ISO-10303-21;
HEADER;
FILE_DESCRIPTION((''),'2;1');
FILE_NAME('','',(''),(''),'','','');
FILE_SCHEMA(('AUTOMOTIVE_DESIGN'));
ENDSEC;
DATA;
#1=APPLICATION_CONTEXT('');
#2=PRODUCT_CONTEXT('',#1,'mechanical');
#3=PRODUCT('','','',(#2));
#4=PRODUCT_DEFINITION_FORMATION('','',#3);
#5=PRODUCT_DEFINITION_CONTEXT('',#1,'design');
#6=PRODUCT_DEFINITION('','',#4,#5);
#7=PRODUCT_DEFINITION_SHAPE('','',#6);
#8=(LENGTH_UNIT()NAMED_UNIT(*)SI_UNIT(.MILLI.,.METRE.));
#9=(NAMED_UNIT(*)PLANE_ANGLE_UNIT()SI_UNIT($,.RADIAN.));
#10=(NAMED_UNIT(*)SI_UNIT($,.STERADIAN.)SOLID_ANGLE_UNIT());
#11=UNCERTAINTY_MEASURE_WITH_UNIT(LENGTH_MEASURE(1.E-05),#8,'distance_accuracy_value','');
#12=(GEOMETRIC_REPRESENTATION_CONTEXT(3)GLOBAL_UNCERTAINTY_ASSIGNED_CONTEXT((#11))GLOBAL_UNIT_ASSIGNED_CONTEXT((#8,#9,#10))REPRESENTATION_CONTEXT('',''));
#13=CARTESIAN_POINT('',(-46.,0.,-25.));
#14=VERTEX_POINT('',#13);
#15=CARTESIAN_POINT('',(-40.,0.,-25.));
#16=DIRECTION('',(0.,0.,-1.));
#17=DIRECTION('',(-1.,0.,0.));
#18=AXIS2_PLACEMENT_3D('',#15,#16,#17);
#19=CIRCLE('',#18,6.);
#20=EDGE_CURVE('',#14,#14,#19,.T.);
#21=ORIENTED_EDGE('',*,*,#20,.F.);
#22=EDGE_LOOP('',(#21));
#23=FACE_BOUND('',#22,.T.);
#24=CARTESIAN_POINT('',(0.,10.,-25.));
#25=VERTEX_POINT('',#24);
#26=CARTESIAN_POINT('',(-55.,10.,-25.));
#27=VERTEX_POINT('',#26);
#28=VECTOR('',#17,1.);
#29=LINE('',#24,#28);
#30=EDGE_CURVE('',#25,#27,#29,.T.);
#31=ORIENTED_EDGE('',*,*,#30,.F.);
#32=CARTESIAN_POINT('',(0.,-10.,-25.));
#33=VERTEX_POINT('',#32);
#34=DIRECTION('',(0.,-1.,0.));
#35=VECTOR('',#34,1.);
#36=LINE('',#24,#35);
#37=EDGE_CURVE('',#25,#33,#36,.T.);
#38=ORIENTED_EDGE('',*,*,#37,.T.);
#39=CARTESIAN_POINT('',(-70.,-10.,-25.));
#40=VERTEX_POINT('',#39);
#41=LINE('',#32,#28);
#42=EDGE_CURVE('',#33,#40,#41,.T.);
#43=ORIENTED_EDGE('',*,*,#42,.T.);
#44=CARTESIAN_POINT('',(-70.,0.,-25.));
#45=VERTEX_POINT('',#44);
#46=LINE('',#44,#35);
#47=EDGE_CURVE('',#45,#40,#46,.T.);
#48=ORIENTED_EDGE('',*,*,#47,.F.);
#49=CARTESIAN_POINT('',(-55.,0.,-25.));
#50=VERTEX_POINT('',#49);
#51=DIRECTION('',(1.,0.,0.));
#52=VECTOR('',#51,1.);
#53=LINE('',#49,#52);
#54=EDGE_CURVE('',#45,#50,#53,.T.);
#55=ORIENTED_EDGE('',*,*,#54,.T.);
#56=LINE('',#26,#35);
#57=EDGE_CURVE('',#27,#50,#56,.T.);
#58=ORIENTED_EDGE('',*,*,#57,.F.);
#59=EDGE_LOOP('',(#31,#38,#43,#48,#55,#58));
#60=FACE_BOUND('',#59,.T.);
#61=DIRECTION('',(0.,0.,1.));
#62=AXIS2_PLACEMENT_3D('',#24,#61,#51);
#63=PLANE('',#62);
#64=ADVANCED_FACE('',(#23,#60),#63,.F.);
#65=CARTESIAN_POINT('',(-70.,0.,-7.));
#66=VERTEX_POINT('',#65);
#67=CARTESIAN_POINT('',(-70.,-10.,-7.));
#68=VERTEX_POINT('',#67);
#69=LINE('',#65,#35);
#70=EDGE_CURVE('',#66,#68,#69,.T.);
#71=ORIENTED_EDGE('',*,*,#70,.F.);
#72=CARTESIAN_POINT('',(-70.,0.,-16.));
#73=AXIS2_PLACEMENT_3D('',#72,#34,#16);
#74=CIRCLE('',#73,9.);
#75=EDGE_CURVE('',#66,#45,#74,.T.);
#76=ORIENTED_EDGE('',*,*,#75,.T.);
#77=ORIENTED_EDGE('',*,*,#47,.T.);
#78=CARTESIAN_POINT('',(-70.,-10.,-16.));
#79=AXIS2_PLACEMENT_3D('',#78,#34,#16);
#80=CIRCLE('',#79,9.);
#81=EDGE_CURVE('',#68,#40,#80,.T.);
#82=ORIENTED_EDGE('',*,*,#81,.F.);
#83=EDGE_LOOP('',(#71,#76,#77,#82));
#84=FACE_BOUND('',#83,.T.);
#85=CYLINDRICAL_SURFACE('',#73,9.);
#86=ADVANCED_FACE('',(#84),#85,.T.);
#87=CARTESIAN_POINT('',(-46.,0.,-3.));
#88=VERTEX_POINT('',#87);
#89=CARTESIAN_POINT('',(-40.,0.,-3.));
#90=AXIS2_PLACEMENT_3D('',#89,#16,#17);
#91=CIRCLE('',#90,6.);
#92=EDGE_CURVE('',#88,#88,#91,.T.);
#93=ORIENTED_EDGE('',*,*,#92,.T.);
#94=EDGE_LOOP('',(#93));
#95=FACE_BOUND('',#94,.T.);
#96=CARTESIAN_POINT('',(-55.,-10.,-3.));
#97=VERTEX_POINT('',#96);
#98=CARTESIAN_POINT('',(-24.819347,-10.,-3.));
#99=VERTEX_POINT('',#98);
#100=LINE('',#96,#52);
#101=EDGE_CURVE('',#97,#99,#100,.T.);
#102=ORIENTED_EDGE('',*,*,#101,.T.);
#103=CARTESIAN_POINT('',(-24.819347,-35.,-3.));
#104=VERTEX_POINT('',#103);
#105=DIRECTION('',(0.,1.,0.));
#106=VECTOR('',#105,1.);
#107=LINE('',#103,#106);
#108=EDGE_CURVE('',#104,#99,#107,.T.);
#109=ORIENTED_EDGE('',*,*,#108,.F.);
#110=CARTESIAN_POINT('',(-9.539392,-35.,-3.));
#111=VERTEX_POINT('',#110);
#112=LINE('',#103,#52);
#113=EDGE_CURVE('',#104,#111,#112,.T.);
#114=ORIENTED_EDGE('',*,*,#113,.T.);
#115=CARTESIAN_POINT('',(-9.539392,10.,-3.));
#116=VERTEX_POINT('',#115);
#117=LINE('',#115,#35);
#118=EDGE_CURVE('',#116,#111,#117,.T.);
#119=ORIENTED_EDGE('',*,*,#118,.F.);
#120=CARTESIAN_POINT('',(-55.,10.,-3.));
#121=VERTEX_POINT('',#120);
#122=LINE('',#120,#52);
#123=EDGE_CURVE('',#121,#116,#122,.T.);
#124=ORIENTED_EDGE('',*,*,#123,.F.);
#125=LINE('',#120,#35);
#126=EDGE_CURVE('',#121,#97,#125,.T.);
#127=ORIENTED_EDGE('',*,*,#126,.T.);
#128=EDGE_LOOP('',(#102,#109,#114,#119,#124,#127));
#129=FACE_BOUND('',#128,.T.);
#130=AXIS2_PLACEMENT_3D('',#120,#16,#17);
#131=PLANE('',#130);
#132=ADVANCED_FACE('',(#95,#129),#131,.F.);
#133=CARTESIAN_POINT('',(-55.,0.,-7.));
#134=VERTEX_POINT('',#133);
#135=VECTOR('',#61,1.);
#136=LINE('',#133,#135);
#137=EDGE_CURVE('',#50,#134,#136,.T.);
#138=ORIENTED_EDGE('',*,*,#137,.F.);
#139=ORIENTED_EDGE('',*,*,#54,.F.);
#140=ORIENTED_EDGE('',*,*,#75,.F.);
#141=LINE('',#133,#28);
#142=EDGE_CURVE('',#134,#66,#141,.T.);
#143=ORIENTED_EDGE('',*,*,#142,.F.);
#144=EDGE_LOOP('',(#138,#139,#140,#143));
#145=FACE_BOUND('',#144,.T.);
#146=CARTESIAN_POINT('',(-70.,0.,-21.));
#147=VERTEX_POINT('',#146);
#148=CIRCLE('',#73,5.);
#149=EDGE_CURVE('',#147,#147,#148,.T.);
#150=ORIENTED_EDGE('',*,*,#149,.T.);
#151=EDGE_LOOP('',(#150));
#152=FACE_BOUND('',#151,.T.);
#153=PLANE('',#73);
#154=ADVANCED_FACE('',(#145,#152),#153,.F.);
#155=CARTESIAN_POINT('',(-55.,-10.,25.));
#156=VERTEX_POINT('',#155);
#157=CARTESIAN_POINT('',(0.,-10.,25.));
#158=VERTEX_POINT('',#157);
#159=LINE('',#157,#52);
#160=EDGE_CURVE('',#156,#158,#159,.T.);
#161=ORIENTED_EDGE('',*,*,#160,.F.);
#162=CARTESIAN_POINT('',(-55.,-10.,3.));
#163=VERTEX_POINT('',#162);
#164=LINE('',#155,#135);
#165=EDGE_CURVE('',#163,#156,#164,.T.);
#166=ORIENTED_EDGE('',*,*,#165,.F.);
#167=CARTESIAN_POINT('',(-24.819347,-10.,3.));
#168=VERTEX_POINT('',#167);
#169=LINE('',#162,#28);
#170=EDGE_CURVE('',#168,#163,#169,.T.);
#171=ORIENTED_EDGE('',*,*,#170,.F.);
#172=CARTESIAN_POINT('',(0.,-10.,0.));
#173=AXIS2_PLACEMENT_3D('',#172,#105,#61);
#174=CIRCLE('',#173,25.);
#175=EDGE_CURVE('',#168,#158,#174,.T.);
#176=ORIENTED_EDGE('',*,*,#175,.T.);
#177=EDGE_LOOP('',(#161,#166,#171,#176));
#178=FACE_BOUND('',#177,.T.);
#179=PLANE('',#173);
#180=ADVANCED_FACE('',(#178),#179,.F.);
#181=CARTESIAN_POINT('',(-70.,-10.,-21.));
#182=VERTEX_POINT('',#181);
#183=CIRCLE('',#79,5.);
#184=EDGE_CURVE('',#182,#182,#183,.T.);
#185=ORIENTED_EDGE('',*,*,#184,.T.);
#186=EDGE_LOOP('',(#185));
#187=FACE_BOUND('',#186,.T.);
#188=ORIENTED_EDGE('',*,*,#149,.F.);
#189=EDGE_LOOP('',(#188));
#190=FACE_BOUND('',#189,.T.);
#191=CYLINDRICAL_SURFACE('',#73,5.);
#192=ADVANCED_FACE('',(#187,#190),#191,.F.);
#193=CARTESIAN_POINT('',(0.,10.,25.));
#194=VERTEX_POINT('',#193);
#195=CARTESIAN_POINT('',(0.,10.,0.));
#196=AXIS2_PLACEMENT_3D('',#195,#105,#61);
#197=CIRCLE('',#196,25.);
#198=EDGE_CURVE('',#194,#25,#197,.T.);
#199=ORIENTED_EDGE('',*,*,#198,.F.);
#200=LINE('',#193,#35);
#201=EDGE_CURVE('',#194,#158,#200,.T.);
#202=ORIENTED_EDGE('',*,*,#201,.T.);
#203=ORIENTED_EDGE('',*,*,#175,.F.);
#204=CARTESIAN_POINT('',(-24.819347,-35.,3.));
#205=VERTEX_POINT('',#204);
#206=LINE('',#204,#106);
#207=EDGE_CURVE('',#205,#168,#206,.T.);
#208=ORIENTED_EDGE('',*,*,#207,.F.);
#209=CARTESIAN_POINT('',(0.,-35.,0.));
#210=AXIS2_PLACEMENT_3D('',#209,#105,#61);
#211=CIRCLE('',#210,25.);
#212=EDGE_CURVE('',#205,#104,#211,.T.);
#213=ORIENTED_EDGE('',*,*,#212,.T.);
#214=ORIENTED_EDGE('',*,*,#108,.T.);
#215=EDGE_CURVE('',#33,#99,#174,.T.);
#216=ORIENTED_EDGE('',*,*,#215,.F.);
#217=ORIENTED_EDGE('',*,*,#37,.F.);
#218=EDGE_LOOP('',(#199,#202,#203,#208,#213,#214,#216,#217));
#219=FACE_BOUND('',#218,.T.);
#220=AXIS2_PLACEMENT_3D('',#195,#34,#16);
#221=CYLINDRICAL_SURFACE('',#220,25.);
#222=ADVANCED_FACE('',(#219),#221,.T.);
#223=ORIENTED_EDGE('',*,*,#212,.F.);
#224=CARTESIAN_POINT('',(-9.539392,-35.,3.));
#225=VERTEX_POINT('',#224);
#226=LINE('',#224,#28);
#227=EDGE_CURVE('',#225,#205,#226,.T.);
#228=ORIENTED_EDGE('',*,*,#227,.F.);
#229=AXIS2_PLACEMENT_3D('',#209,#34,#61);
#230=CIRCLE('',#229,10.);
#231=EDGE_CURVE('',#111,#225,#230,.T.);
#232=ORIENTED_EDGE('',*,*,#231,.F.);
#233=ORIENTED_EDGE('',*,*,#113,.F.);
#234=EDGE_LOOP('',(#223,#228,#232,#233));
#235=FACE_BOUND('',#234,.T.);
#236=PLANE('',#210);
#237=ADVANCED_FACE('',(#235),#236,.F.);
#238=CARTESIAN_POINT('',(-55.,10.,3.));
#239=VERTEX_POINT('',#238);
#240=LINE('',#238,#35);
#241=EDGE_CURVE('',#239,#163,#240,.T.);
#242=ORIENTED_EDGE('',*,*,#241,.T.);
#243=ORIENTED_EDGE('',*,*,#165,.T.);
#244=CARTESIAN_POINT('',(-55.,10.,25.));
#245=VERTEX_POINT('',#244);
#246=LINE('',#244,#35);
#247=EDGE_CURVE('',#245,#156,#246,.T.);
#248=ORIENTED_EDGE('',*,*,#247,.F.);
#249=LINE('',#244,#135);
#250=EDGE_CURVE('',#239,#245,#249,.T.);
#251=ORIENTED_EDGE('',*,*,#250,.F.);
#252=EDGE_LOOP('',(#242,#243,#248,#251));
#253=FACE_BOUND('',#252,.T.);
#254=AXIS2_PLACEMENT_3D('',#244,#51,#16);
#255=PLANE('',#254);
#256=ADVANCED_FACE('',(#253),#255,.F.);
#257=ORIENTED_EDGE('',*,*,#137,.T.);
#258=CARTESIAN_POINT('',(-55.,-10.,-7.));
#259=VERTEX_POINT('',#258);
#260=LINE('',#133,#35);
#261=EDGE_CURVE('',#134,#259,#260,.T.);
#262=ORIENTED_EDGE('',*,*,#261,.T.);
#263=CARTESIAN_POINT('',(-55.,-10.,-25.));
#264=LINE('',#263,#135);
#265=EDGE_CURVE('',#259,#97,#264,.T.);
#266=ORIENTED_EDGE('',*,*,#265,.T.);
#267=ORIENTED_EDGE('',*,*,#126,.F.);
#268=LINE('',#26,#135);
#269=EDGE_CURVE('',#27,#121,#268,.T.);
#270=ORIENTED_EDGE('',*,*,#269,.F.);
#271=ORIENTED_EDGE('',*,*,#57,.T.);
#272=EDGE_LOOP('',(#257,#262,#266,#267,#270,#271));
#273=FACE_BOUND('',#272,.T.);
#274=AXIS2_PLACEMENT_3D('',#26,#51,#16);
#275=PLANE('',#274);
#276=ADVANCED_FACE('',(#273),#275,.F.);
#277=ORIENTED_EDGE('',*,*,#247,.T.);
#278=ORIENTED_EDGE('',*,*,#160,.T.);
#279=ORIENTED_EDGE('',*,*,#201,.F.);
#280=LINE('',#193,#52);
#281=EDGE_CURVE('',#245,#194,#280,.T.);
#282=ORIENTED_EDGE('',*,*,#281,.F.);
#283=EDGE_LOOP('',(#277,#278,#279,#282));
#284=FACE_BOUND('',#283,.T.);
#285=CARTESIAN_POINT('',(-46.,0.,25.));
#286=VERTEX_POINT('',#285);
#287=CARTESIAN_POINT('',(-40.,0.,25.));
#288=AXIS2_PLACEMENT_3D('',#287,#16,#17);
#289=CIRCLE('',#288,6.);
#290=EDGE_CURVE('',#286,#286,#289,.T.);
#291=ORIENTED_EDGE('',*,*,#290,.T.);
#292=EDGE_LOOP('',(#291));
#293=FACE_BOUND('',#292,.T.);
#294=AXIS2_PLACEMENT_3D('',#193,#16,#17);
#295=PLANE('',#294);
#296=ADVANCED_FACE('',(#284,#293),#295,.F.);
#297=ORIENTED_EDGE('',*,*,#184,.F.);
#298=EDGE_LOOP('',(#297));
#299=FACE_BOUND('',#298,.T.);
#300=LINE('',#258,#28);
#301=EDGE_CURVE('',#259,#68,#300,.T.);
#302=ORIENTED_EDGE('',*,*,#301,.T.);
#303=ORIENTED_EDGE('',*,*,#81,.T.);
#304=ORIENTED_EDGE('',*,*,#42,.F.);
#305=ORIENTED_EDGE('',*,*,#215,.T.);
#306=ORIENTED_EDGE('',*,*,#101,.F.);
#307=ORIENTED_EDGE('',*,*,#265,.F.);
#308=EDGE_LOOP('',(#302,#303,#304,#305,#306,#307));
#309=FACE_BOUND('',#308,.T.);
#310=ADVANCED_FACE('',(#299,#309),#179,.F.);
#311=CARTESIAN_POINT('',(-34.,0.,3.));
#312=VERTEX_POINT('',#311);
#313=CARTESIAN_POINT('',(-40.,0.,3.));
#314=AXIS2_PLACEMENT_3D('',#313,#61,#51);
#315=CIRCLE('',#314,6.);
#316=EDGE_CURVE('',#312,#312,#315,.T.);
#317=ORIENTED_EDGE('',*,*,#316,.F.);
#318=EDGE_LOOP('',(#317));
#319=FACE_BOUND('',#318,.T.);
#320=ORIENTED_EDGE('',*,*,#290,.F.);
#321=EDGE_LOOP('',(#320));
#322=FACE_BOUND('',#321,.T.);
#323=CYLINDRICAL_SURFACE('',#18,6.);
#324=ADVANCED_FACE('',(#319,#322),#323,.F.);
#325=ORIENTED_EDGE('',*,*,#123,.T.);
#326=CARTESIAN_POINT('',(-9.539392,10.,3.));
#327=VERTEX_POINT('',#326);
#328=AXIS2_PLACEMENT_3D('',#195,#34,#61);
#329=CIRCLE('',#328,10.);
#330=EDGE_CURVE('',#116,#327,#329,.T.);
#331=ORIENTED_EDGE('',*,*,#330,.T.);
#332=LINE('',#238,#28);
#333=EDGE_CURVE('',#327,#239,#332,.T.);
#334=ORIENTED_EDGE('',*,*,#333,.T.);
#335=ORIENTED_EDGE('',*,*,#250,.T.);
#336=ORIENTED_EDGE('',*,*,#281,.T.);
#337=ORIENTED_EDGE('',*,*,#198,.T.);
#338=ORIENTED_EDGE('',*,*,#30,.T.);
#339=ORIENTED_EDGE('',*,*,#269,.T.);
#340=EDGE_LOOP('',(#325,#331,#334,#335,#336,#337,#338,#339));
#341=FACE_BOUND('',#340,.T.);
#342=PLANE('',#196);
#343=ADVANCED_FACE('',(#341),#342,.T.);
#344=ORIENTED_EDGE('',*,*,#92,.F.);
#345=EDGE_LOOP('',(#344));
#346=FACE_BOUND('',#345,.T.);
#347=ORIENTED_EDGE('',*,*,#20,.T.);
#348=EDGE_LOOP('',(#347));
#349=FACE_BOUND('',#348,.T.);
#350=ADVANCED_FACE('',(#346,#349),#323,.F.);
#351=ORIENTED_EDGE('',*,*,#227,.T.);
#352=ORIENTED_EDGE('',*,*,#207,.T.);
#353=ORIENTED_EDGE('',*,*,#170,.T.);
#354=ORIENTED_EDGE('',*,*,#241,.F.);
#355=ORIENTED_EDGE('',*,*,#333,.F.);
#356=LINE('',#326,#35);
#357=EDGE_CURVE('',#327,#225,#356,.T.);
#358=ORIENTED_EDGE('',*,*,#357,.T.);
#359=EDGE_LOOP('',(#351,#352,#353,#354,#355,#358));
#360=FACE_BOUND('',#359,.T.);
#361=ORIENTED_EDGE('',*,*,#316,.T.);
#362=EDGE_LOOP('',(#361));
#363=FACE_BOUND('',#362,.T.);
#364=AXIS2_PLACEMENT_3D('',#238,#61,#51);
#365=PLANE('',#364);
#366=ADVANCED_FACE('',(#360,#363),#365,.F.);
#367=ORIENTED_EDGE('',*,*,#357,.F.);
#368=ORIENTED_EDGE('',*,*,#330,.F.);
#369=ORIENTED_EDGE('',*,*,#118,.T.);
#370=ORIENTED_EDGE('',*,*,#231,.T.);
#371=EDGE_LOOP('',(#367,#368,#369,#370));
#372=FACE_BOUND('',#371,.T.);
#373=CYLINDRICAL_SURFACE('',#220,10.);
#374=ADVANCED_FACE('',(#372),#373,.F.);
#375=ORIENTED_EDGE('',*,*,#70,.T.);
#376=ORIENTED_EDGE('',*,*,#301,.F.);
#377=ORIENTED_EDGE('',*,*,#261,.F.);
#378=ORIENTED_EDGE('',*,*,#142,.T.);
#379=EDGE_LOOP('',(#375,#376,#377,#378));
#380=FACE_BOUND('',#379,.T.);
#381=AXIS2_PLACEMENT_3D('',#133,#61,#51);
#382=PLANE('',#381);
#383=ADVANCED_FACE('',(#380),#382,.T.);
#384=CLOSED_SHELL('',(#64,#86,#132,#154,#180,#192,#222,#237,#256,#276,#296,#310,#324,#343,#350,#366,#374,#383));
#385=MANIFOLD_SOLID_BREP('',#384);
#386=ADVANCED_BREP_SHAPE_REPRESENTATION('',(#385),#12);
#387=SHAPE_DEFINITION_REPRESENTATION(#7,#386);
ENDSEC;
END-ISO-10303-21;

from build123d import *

# Parameters (mm, degrees)
BOSS_EXTRUDE1_DEPTH = 10
BOSS_EXTRUDE2_DEPTH = 45
SKETCH3_R           = 5
BOSS_EXTRUDE3_DEPTH = 10
HOLE1_D             = 12


with BuildPart() as part:
    # Sketch1 → Boss-Extrude1 (new, symmetric)
    with BuildSketch(Plane(origin=(0, 0, 0), x_dir=(1, 0, 0), z_dir=(0, 1, 0))):
        with BuildLine():
            Line((0, 25), (-55, 25))
            Line((-55, 25), (-55, 3))
            Line((-55, 3), (-9.539392014, 3))
            ThreePointArc((-9.539392014, 3), (10, 0), (-9.539392014, -3))
            Line((-9.539392014, -3), (-55, -3))
            Line((-55, -3), (-55, -25))
            Line((-55, -25), (0, -25))
            ThreePointArc((0, -25), (25, 0), (0, 25))
        make_face()
    extrude(amount=BOSS_EXTRUDE1_DEPTH, both=True)

    # Sketch2 → Boss-Extrude2 (add)
    with BuildSketch(Plane(origin=(0, 10, 0), x_dir=(1, 0, 0), z_dir=(0, 1, 0))):
        with BuildLine():
            Line((-9.539392014, -3), (-24.819347292, -3))
            ThreePointArc((-24.819347292, -3), (25, 0), (-24.819347292, 3))
            Line((-24.819347292, 3), (-9.539392014, 3))
            ThreePointArc((-9.539392014, 3), (10, 0), (-9.539392014, -3))
        make_face()
    extrude(amount=-BOSS_EXTRUDE2_DEPTH)

    # Sketch3 → Boss-Extrude3 (add)
    with BuildSketch(Plane.XZ.offset(10)):
        with BuildLine():
            Line((-55, -7), (-70, -7))
            ThreePointArc((-70, -7), (-79, -16), (-70, -25))
            Line((-70, -25), (-55, -25))
            Line((-55, -25), (-55, -7))
        make_face()
        with Locations(Location((-70, -16, 0), (0, 0, 270))):
            Circle(SKETCH3_R, mode=Mode.SUBTRACT)
    extrude(amount=-BOSS_EXTRUDE3_DEPTH)

    # Hole1 (through all)
    with Locations(Plane(origin=(0, 0, -25), x_dir=(-1, 0, 0), z_dir=(0, 0, -1))):
        with Locations((40, 0)):
            Hole(HOLE1_D / 2)


solid = part.part
